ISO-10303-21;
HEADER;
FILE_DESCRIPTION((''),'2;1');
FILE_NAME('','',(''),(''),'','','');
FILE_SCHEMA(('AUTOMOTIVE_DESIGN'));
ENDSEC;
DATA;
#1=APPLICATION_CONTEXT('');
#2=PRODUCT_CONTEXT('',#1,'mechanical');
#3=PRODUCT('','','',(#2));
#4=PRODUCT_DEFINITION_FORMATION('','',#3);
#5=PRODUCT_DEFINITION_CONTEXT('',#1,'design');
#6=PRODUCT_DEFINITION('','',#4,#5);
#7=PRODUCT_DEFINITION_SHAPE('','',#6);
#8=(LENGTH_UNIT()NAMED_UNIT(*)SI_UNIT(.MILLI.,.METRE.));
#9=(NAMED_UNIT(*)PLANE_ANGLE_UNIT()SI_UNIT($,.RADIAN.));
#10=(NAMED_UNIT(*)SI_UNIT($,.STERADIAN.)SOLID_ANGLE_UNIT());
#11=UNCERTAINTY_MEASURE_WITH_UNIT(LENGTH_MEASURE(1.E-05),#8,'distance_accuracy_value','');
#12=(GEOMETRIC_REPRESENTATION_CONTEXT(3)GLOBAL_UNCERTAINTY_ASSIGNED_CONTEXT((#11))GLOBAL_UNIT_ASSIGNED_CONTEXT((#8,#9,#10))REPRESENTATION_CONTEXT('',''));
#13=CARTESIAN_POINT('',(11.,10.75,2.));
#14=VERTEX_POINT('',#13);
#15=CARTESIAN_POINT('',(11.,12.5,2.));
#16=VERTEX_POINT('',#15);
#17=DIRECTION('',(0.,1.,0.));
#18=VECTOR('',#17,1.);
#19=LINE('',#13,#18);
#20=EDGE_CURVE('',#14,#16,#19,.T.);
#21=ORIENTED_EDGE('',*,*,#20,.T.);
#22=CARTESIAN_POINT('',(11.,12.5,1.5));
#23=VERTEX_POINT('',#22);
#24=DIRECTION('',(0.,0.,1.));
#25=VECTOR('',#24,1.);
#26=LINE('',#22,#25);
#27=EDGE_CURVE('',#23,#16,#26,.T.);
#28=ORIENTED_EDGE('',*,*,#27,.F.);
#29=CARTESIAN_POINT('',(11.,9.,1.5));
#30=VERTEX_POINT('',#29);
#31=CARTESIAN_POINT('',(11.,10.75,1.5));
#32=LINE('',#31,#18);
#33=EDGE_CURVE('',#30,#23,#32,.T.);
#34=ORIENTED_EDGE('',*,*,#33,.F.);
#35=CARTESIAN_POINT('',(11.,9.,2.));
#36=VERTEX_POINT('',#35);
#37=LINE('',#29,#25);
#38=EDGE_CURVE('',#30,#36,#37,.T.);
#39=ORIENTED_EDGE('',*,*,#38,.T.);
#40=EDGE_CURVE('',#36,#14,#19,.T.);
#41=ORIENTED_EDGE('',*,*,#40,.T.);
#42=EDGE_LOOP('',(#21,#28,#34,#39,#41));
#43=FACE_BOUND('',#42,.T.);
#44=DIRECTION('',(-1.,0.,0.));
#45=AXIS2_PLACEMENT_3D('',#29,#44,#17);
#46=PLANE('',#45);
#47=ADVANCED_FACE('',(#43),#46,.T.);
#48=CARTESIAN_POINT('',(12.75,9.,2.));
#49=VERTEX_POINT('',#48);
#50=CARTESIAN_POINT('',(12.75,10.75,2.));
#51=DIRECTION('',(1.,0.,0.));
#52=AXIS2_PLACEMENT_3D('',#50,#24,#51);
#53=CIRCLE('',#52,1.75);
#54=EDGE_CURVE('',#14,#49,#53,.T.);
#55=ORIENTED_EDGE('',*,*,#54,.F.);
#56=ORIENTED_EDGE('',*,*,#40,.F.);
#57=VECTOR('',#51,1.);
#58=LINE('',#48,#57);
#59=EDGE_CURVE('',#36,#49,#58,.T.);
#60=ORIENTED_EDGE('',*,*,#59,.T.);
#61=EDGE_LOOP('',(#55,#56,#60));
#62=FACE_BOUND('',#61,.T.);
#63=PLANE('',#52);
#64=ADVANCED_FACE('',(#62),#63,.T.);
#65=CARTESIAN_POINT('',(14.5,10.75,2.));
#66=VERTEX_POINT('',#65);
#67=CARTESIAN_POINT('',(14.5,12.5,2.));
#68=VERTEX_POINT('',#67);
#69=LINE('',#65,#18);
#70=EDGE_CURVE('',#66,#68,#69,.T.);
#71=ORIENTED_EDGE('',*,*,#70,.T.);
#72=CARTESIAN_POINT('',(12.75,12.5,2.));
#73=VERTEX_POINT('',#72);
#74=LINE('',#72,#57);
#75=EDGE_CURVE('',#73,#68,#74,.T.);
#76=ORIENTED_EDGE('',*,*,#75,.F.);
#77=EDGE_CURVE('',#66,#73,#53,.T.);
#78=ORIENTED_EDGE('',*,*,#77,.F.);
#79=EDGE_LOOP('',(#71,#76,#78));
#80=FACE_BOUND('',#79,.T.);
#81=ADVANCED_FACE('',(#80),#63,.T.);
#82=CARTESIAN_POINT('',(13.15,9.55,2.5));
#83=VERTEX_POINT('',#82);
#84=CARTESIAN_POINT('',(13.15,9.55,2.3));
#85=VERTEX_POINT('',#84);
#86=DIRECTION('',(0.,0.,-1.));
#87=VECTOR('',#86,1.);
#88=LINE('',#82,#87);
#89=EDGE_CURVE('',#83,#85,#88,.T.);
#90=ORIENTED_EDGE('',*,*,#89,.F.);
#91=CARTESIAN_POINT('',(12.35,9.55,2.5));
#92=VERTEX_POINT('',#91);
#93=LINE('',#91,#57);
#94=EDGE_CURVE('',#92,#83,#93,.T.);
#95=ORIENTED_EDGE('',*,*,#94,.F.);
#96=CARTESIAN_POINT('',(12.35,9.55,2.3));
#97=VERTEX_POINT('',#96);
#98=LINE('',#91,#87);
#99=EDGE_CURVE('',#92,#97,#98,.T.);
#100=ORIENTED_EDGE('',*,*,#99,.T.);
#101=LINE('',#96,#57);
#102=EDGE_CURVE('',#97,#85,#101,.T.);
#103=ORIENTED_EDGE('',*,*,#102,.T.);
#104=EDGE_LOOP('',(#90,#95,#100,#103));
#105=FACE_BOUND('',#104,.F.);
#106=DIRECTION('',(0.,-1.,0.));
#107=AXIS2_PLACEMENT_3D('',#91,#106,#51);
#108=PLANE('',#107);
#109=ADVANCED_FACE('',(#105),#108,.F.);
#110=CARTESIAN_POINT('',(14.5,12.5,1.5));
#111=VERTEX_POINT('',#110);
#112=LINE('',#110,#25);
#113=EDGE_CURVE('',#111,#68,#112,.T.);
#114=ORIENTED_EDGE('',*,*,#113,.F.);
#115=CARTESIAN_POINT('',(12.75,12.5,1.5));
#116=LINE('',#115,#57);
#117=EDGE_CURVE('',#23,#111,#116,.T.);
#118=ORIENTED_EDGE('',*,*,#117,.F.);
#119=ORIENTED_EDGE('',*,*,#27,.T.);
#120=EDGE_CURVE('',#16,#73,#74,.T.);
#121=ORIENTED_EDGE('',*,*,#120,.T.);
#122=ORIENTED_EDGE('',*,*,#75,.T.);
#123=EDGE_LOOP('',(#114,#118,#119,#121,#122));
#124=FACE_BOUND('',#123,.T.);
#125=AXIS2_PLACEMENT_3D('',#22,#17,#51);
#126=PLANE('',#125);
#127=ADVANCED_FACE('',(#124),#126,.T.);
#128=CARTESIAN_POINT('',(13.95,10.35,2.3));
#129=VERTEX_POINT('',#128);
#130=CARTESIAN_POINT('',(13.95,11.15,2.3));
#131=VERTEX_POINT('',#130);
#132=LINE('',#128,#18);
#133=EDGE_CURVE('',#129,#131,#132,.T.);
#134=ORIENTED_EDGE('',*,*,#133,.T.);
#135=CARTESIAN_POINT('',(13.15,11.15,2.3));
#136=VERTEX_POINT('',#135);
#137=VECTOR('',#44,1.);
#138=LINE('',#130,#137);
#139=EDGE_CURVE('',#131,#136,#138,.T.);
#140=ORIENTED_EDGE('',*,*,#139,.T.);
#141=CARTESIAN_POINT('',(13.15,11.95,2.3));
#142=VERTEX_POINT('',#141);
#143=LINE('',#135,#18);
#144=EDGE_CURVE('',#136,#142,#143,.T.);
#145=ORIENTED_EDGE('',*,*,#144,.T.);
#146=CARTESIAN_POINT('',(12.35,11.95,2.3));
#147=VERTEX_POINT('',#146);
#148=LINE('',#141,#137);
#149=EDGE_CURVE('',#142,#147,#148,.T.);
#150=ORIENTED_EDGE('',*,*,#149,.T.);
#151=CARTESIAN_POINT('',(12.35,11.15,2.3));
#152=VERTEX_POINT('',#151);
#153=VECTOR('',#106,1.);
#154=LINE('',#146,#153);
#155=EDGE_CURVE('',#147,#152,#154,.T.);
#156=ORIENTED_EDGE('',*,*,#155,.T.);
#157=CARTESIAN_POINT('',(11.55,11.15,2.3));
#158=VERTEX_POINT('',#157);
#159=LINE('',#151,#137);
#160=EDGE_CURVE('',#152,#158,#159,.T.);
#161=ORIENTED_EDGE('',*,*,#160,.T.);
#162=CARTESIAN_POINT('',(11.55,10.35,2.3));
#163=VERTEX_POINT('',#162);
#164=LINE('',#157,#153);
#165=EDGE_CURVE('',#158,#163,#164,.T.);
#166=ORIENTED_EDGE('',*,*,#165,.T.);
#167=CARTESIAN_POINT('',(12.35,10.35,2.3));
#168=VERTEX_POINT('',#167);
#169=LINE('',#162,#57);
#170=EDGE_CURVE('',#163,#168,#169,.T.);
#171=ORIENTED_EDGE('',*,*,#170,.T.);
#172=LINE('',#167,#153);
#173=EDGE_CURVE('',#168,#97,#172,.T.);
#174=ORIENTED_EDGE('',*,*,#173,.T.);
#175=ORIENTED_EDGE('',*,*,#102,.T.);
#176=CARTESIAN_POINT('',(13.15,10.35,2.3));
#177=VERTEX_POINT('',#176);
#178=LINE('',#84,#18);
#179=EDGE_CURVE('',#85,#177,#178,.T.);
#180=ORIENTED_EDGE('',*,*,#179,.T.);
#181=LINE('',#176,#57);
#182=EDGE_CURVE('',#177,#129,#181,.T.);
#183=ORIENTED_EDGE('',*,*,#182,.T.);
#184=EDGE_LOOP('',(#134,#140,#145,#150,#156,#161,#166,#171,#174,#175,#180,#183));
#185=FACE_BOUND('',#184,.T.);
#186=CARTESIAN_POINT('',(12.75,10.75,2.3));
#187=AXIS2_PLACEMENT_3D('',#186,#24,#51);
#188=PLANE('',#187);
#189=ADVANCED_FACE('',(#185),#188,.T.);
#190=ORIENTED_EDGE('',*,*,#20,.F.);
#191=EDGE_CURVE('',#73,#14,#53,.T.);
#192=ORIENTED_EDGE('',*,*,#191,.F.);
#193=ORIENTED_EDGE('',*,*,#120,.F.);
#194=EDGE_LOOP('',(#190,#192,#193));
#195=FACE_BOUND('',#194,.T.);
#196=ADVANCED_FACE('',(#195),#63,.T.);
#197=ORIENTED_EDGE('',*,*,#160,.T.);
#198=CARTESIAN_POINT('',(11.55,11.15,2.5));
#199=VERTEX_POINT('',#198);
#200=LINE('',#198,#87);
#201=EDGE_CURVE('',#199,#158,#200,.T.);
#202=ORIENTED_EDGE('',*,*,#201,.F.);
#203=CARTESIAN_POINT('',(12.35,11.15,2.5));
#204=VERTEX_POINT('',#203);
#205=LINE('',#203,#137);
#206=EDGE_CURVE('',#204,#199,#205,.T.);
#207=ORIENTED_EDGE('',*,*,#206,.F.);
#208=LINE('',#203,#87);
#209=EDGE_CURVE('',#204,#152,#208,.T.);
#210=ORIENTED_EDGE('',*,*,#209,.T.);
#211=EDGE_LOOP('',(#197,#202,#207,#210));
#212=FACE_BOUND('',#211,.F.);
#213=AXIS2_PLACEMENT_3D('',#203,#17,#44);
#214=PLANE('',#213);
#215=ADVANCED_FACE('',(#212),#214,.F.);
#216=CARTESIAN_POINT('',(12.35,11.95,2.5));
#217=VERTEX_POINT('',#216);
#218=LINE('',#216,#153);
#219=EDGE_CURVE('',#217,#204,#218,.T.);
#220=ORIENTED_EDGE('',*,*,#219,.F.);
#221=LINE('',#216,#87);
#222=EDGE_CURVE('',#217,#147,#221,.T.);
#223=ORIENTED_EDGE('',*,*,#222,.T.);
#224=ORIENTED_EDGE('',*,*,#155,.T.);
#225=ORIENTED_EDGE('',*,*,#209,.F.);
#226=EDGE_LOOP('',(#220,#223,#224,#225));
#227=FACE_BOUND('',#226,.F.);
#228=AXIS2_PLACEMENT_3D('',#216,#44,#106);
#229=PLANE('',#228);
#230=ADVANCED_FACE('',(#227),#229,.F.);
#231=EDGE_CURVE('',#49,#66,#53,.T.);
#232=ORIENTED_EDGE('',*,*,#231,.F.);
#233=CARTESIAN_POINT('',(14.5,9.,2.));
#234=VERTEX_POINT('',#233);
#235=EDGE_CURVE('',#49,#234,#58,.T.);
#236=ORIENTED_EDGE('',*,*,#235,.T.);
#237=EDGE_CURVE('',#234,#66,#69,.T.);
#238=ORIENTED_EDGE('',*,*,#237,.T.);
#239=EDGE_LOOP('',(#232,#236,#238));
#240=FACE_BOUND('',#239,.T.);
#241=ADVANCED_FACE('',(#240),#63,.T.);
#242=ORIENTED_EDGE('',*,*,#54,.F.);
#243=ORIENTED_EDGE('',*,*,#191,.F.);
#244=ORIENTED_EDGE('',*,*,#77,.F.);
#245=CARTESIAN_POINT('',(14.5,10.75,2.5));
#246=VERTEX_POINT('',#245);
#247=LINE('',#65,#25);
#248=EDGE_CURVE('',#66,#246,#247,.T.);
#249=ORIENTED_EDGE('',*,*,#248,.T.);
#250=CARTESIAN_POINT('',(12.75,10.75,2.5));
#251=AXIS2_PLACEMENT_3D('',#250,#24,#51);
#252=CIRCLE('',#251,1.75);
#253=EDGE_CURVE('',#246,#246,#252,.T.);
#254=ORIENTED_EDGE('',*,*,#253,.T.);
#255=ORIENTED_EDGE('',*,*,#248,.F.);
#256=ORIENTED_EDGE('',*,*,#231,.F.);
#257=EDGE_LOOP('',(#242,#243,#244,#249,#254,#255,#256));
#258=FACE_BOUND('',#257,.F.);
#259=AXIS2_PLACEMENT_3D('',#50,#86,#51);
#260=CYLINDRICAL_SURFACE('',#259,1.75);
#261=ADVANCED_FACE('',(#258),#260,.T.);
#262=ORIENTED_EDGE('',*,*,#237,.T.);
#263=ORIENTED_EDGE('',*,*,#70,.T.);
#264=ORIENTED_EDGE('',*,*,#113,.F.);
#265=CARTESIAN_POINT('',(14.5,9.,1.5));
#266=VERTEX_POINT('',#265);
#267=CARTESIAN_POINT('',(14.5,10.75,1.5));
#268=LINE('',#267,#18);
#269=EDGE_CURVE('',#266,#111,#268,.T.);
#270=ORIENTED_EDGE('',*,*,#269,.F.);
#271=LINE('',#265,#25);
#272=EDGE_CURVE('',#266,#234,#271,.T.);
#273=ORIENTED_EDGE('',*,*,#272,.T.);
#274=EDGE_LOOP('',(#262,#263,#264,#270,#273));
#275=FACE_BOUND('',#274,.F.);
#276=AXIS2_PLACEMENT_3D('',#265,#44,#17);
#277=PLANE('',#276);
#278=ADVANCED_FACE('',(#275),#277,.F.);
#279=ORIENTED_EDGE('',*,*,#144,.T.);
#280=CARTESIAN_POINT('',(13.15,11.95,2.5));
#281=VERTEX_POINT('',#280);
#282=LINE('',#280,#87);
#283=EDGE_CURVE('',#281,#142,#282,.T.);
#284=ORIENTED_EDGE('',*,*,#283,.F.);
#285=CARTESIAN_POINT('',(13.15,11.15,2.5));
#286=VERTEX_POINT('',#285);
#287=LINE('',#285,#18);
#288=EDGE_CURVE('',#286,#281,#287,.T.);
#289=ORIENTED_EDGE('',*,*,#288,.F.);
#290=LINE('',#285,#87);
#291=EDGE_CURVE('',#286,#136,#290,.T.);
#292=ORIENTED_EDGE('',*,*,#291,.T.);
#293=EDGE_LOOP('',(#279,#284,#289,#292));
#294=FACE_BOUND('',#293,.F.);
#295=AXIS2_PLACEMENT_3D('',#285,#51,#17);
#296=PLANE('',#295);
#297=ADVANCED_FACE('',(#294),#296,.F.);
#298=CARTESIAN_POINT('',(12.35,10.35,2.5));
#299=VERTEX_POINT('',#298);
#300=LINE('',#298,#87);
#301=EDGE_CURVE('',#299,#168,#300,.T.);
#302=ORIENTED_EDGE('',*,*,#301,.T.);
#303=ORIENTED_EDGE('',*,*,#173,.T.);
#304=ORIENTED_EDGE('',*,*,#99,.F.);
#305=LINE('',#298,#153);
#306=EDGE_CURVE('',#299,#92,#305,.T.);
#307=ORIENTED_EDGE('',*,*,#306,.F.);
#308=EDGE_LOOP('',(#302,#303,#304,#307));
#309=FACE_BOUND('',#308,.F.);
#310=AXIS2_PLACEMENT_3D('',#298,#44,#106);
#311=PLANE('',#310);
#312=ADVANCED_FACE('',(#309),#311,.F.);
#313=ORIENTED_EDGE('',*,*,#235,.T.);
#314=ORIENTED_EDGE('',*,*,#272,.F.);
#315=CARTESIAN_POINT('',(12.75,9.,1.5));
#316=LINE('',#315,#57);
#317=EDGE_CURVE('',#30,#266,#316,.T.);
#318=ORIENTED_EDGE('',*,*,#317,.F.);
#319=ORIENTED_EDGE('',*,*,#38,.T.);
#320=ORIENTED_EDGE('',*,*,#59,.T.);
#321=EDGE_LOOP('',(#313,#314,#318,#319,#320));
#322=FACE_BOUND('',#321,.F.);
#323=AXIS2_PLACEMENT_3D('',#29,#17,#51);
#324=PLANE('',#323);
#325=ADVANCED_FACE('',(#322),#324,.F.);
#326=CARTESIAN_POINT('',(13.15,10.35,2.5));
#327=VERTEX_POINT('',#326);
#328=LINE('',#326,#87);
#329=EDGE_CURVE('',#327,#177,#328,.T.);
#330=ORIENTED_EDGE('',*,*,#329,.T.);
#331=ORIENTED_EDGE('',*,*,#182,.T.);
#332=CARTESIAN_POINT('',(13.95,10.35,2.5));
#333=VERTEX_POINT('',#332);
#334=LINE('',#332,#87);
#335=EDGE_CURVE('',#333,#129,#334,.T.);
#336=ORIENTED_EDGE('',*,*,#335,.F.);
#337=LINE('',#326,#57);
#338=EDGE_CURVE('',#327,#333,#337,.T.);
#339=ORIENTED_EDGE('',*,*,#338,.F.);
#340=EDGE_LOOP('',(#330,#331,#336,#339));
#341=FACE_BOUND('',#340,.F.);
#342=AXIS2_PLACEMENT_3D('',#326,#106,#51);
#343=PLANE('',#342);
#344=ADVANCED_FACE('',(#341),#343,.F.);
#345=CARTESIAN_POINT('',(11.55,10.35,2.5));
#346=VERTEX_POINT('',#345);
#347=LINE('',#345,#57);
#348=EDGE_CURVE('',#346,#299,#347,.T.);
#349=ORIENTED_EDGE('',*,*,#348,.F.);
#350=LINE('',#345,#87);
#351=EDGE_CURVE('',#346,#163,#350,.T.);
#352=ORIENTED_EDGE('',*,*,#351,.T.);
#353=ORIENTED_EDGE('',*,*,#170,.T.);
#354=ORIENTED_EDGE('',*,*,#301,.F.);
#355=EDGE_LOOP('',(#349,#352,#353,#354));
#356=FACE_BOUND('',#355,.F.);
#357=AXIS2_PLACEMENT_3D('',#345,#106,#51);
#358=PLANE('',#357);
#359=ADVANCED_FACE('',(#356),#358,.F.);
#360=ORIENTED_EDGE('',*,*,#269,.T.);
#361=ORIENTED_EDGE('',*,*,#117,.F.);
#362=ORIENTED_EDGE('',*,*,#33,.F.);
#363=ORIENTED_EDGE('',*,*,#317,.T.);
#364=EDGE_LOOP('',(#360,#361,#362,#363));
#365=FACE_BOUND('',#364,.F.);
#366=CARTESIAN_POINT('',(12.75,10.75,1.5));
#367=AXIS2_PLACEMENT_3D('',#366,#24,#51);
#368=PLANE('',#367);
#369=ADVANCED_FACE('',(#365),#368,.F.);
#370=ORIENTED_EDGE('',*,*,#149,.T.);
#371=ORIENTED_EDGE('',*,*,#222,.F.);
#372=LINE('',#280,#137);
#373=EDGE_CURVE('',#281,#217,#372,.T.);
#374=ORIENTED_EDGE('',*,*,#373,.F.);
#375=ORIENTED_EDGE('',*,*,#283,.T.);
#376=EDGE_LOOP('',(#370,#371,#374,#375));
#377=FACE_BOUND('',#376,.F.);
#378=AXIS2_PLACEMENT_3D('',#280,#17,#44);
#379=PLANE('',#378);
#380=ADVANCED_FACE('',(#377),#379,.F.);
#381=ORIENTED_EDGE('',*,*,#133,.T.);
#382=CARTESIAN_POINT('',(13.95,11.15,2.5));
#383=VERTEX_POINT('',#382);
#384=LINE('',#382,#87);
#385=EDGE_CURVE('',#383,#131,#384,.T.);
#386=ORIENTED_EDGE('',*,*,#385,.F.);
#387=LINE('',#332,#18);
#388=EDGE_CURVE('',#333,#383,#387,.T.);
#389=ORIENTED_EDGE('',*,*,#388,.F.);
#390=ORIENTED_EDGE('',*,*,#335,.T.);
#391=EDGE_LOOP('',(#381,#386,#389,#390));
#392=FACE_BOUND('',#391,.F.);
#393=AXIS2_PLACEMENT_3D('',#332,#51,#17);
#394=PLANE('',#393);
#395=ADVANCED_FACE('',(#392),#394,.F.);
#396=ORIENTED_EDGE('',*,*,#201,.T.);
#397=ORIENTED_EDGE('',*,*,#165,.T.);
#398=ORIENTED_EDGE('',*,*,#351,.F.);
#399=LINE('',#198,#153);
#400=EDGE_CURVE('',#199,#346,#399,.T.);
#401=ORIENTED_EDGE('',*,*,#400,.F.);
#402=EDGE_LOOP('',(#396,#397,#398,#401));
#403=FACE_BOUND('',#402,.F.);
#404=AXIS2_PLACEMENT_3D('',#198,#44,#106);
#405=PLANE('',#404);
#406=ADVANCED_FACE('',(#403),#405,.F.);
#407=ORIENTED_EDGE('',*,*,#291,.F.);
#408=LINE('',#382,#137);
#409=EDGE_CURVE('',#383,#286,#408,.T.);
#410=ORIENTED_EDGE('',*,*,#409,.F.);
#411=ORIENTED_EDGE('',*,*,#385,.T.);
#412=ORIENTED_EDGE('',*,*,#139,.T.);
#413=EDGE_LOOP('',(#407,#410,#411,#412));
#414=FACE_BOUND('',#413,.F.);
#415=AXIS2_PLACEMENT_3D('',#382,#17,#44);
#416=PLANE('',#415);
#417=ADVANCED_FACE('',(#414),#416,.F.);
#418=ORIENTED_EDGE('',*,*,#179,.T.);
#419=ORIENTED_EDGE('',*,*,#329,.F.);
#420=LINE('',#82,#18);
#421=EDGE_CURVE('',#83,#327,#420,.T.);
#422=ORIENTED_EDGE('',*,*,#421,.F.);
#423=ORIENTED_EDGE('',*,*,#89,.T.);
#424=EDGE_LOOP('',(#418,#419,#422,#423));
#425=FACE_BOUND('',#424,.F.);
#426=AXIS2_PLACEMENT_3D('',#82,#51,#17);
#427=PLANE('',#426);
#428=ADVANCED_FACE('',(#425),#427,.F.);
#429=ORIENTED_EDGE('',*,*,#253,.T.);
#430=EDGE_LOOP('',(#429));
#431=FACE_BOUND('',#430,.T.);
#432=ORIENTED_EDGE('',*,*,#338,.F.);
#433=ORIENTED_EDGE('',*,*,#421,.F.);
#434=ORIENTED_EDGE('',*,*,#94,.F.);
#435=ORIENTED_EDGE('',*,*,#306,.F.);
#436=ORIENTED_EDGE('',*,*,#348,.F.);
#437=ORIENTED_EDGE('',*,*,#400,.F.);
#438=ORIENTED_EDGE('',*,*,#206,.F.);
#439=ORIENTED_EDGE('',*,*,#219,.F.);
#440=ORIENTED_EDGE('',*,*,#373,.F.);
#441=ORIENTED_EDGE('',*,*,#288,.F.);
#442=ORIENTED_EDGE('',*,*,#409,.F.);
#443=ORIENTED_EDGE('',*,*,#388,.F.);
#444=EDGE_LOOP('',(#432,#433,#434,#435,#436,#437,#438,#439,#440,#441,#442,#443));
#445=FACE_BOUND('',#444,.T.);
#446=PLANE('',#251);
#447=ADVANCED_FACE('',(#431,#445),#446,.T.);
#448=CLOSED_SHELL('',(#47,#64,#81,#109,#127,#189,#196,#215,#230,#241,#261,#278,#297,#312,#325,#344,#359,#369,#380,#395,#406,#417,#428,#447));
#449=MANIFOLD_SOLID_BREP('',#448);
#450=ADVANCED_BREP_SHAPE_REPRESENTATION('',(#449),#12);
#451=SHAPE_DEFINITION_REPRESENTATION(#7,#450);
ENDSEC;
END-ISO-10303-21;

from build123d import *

# Parameters (mm, degrees)
BOX012_W        = 3.5
BOX012_H        = 3.5
BOX012_DEPTH    = 0.5
SKETCH003_R     = 1.75
PAD001_DEPTH    = 0.5
POCKET002_DEPTH = 0.2


with BuildPart() as part:
    # Box012 → Box012 (new body)
    with BuildSketch(Plane(origin=(11, 9, 1.5), x_dir=(1, 0, 0), z_dir=(0, 0, 1))):
        with Locations((1.75, 1.75)):
            Rectangle(BOX012_W, BOX012_H)
    extrude(amount=BOX012_DEPTH)

    # Sketch003 → Pad001 (new body)
    with BuildSketch(Plane(origin=(11, 9, 2), x_dir=(1, 0, 0), z_dir=(0, 0, 1))):
        with Locations((1.75, 1.75)):
            Circle(SKETCH003_R)
    extrude(amount=PAD001_DEPTH)

    # Sketch004 → Pocket002 (cut)
    with BuildSketch(Plane(origin=(11, 9, 2.5), x_dir=(1, 0, 0), z_dir=(0, 0, 1))):
        Polygon((2.15, 2.95), (1.35, 2.95), (1.35, 2.15), (0.55, 2.15), (0.55, 1.35), (1.35, 1.35), (1.35, 0.55), (2.15, 0.55), (2.15, 1.35), (2.95, 1.35), (2.95, 2.15), (2.15, 2.15), align=None)
    extrude(amount=-POCKET002_DEPTH, mode=Mode.SUBTRACT)


solid = part.part
